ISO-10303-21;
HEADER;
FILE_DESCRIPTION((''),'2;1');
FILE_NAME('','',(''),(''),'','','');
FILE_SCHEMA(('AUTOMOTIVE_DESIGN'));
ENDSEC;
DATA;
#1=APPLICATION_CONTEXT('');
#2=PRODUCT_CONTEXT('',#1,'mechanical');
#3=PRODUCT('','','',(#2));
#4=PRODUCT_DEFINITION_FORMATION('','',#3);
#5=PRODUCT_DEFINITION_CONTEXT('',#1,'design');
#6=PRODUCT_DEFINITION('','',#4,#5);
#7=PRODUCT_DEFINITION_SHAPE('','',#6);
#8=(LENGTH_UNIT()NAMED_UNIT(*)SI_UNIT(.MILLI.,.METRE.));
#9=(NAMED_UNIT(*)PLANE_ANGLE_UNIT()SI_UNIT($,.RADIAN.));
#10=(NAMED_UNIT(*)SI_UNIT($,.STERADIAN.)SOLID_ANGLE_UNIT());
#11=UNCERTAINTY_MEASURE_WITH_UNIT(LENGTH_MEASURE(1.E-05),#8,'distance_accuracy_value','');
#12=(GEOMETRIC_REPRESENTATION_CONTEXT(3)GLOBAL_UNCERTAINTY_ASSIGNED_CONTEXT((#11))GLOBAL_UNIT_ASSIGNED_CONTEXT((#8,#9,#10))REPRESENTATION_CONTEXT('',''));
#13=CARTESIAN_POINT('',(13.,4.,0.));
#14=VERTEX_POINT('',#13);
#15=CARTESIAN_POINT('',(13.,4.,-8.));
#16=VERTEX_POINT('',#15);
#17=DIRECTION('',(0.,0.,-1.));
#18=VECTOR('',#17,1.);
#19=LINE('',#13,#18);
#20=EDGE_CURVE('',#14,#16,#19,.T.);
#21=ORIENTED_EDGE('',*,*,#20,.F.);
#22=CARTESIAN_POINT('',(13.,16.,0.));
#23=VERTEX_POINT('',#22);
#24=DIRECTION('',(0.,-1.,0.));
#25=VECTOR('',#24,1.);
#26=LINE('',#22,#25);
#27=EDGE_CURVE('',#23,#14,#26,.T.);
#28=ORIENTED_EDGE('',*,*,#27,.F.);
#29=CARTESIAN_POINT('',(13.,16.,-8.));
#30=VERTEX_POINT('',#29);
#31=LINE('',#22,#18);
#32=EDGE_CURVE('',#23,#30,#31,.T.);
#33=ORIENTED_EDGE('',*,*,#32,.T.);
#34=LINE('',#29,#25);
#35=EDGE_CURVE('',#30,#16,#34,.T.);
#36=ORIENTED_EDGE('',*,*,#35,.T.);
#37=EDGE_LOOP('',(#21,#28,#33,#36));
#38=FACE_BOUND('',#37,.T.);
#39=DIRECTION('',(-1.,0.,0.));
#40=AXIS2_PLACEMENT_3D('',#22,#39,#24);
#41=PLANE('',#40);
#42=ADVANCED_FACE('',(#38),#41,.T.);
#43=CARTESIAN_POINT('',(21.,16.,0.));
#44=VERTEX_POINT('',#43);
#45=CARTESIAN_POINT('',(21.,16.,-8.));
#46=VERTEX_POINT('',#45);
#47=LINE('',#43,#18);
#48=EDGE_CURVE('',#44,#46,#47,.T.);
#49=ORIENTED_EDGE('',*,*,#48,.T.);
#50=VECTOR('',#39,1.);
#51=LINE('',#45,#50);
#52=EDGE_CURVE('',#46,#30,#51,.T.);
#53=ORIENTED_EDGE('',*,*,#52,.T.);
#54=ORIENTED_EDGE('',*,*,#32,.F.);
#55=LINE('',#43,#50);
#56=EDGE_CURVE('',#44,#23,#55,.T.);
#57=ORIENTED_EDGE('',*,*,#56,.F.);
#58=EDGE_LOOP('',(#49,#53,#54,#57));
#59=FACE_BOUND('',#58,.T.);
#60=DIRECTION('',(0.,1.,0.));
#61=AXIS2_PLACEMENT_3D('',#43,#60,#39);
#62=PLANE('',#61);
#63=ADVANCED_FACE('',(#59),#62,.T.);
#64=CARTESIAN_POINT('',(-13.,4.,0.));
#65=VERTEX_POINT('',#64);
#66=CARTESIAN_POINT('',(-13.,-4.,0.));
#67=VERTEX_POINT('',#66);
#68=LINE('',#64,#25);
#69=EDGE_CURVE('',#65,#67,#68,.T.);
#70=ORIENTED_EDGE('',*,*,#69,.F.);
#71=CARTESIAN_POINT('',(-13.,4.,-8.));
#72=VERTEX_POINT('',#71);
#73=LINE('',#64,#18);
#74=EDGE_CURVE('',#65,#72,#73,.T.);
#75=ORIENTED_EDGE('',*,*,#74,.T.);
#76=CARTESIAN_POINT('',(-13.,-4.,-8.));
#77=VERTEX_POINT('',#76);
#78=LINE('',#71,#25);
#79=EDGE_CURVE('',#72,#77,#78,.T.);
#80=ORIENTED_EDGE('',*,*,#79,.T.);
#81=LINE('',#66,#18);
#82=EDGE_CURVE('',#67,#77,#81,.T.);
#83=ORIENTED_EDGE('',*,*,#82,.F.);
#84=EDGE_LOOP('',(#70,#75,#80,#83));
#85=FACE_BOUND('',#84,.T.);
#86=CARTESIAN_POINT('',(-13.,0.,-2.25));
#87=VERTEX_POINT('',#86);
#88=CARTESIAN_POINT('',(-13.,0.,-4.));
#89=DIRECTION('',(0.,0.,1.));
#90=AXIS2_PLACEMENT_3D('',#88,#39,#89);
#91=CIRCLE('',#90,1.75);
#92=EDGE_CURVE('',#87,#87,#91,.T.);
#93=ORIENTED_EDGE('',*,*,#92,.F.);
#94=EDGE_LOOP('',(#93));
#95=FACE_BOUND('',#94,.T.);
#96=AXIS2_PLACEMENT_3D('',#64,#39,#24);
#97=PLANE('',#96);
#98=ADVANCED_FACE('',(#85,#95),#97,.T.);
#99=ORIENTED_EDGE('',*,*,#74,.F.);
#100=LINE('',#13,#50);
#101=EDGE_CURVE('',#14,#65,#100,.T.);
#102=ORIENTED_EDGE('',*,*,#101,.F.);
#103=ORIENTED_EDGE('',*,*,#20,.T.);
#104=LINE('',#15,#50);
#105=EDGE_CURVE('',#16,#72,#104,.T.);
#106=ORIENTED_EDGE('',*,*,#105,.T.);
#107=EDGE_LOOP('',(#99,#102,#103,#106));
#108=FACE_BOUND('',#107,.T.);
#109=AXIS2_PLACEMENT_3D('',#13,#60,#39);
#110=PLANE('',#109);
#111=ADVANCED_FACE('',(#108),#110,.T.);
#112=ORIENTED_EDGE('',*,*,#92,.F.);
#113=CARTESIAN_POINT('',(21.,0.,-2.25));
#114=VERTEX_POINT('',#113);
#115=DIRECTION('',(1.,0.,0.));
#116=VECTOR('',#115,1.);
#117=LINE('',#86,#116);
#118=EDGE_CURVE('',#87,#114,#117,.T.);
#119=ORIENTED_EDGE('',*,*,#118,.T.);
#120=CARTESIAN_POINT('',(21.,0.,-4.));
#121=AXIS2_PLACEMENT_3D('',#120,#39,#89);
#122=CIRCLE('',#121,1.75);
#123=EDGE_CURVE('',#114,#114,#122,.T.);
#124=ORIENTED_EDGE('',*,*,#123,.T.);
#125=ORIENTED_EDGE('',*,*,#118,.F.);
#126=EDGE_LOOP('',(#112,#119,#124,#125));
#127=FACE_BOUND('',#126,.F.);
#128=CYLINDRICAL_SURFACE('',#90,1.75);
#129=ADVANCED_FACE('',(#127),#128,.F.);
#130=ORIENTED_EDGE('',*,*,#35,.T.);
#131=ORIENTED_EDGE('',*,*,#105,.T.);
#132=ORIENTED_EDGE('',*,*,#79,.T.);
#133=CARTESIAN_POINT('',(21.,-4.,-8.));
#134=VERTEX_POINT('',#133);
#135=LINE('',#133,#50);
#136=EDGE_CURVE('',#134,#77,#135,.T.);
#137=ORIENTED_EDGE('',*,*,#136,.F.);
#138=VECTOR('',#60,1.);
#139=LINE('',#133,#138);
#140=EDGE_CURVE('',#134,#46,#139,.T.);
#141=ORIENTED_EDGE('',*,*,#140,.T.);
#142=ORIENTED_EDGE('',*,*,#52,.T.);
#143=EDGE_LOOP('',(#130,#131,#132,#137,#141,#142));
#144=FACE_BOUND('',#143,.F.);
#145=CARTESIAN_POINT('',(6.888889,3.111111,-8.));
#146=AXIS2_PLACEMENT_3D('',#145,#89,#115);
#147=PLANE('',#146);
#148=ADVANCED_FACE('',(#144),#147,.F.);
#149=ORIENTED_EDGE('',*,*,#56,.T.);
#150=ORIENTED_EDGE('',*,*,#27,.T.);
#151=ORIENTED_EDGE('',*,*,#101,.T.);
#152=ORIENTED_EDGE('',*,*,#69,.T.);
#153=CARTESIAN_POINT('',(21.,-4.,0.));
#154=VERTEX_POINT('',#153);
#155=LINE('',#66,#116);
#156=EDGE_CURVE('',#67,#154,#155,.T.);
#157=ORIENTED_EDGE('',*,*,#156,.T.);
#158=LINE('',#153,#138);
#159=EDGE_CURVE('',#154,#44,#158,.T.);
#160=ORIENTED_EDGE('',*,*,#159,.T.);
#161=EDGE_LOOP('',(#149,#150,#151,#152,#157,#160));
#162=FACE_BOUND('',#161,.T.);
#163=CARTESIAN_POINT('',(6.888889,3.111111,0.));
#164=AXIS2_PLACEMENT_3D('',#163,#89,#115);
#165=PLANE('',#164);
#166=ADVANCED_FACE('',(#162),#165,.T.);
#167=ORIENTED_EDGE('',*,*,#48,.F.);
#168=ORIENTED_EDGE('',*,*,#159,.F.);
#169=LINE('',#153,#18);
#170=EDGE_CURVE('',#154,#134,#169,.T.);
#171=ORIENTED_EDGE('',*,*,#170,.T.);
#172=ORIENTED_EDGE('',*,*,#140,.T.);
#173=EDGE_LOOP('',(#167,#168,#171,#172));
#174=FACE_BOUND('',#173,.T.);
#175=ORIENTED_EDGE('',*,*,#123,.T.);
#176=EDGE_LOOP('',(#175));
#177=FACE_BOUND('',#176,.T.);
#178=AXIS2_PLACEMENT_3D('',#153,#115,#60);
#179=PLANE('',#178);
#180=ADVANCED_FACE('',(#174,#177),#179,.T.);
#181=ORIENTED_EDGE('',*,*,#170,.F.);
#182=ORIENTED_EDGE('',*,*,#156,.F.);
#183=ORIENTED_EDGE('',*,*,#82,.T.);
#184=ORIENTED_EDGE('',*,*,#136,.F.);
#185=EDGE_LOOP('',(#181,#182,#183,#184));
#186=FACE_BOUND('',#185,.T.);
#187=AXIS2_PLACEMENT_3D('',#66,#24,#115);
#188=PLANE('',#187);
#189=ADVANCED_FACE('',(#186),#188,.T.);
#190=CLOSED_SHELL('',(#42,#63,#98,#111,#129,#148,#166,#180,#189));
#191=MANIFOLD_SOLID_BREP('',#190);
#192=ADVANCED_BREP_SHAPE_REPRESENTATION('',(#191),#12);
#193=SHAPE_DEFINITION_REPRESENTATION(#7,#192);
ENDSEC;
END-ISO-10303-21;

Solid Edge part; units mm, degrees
sketch "Sketch1" plane through (0, 0, 0) normal (0, 0, 1) x (1, 0, 0)
  line L0 (13, 4) -> (-13, 4)
  line L1 (-13, 4) -> (-13, -4)
  line L2 (-13, -4) -> (13, -4)
  line L3 (13, -4) -> (21, -4)
  line L4 (21, -4) -> (21, 16)
  line L5 (21, 16) -> (13, 16)
  line L6 (13, 16) -> (13, 4)
extrude "Protrusion1" add sketch "Sketch1" against normal blind 8
sketch "Sketch2" plane through (-13, 0, -4) normal (-1, 0, 0) x (0, 0, 1)
  circle A0 centre (0, 0) radius 1.75
extrude "Extrusionsausschnitt_1" cut sketch "Sketch2" against normal blind 38.1
